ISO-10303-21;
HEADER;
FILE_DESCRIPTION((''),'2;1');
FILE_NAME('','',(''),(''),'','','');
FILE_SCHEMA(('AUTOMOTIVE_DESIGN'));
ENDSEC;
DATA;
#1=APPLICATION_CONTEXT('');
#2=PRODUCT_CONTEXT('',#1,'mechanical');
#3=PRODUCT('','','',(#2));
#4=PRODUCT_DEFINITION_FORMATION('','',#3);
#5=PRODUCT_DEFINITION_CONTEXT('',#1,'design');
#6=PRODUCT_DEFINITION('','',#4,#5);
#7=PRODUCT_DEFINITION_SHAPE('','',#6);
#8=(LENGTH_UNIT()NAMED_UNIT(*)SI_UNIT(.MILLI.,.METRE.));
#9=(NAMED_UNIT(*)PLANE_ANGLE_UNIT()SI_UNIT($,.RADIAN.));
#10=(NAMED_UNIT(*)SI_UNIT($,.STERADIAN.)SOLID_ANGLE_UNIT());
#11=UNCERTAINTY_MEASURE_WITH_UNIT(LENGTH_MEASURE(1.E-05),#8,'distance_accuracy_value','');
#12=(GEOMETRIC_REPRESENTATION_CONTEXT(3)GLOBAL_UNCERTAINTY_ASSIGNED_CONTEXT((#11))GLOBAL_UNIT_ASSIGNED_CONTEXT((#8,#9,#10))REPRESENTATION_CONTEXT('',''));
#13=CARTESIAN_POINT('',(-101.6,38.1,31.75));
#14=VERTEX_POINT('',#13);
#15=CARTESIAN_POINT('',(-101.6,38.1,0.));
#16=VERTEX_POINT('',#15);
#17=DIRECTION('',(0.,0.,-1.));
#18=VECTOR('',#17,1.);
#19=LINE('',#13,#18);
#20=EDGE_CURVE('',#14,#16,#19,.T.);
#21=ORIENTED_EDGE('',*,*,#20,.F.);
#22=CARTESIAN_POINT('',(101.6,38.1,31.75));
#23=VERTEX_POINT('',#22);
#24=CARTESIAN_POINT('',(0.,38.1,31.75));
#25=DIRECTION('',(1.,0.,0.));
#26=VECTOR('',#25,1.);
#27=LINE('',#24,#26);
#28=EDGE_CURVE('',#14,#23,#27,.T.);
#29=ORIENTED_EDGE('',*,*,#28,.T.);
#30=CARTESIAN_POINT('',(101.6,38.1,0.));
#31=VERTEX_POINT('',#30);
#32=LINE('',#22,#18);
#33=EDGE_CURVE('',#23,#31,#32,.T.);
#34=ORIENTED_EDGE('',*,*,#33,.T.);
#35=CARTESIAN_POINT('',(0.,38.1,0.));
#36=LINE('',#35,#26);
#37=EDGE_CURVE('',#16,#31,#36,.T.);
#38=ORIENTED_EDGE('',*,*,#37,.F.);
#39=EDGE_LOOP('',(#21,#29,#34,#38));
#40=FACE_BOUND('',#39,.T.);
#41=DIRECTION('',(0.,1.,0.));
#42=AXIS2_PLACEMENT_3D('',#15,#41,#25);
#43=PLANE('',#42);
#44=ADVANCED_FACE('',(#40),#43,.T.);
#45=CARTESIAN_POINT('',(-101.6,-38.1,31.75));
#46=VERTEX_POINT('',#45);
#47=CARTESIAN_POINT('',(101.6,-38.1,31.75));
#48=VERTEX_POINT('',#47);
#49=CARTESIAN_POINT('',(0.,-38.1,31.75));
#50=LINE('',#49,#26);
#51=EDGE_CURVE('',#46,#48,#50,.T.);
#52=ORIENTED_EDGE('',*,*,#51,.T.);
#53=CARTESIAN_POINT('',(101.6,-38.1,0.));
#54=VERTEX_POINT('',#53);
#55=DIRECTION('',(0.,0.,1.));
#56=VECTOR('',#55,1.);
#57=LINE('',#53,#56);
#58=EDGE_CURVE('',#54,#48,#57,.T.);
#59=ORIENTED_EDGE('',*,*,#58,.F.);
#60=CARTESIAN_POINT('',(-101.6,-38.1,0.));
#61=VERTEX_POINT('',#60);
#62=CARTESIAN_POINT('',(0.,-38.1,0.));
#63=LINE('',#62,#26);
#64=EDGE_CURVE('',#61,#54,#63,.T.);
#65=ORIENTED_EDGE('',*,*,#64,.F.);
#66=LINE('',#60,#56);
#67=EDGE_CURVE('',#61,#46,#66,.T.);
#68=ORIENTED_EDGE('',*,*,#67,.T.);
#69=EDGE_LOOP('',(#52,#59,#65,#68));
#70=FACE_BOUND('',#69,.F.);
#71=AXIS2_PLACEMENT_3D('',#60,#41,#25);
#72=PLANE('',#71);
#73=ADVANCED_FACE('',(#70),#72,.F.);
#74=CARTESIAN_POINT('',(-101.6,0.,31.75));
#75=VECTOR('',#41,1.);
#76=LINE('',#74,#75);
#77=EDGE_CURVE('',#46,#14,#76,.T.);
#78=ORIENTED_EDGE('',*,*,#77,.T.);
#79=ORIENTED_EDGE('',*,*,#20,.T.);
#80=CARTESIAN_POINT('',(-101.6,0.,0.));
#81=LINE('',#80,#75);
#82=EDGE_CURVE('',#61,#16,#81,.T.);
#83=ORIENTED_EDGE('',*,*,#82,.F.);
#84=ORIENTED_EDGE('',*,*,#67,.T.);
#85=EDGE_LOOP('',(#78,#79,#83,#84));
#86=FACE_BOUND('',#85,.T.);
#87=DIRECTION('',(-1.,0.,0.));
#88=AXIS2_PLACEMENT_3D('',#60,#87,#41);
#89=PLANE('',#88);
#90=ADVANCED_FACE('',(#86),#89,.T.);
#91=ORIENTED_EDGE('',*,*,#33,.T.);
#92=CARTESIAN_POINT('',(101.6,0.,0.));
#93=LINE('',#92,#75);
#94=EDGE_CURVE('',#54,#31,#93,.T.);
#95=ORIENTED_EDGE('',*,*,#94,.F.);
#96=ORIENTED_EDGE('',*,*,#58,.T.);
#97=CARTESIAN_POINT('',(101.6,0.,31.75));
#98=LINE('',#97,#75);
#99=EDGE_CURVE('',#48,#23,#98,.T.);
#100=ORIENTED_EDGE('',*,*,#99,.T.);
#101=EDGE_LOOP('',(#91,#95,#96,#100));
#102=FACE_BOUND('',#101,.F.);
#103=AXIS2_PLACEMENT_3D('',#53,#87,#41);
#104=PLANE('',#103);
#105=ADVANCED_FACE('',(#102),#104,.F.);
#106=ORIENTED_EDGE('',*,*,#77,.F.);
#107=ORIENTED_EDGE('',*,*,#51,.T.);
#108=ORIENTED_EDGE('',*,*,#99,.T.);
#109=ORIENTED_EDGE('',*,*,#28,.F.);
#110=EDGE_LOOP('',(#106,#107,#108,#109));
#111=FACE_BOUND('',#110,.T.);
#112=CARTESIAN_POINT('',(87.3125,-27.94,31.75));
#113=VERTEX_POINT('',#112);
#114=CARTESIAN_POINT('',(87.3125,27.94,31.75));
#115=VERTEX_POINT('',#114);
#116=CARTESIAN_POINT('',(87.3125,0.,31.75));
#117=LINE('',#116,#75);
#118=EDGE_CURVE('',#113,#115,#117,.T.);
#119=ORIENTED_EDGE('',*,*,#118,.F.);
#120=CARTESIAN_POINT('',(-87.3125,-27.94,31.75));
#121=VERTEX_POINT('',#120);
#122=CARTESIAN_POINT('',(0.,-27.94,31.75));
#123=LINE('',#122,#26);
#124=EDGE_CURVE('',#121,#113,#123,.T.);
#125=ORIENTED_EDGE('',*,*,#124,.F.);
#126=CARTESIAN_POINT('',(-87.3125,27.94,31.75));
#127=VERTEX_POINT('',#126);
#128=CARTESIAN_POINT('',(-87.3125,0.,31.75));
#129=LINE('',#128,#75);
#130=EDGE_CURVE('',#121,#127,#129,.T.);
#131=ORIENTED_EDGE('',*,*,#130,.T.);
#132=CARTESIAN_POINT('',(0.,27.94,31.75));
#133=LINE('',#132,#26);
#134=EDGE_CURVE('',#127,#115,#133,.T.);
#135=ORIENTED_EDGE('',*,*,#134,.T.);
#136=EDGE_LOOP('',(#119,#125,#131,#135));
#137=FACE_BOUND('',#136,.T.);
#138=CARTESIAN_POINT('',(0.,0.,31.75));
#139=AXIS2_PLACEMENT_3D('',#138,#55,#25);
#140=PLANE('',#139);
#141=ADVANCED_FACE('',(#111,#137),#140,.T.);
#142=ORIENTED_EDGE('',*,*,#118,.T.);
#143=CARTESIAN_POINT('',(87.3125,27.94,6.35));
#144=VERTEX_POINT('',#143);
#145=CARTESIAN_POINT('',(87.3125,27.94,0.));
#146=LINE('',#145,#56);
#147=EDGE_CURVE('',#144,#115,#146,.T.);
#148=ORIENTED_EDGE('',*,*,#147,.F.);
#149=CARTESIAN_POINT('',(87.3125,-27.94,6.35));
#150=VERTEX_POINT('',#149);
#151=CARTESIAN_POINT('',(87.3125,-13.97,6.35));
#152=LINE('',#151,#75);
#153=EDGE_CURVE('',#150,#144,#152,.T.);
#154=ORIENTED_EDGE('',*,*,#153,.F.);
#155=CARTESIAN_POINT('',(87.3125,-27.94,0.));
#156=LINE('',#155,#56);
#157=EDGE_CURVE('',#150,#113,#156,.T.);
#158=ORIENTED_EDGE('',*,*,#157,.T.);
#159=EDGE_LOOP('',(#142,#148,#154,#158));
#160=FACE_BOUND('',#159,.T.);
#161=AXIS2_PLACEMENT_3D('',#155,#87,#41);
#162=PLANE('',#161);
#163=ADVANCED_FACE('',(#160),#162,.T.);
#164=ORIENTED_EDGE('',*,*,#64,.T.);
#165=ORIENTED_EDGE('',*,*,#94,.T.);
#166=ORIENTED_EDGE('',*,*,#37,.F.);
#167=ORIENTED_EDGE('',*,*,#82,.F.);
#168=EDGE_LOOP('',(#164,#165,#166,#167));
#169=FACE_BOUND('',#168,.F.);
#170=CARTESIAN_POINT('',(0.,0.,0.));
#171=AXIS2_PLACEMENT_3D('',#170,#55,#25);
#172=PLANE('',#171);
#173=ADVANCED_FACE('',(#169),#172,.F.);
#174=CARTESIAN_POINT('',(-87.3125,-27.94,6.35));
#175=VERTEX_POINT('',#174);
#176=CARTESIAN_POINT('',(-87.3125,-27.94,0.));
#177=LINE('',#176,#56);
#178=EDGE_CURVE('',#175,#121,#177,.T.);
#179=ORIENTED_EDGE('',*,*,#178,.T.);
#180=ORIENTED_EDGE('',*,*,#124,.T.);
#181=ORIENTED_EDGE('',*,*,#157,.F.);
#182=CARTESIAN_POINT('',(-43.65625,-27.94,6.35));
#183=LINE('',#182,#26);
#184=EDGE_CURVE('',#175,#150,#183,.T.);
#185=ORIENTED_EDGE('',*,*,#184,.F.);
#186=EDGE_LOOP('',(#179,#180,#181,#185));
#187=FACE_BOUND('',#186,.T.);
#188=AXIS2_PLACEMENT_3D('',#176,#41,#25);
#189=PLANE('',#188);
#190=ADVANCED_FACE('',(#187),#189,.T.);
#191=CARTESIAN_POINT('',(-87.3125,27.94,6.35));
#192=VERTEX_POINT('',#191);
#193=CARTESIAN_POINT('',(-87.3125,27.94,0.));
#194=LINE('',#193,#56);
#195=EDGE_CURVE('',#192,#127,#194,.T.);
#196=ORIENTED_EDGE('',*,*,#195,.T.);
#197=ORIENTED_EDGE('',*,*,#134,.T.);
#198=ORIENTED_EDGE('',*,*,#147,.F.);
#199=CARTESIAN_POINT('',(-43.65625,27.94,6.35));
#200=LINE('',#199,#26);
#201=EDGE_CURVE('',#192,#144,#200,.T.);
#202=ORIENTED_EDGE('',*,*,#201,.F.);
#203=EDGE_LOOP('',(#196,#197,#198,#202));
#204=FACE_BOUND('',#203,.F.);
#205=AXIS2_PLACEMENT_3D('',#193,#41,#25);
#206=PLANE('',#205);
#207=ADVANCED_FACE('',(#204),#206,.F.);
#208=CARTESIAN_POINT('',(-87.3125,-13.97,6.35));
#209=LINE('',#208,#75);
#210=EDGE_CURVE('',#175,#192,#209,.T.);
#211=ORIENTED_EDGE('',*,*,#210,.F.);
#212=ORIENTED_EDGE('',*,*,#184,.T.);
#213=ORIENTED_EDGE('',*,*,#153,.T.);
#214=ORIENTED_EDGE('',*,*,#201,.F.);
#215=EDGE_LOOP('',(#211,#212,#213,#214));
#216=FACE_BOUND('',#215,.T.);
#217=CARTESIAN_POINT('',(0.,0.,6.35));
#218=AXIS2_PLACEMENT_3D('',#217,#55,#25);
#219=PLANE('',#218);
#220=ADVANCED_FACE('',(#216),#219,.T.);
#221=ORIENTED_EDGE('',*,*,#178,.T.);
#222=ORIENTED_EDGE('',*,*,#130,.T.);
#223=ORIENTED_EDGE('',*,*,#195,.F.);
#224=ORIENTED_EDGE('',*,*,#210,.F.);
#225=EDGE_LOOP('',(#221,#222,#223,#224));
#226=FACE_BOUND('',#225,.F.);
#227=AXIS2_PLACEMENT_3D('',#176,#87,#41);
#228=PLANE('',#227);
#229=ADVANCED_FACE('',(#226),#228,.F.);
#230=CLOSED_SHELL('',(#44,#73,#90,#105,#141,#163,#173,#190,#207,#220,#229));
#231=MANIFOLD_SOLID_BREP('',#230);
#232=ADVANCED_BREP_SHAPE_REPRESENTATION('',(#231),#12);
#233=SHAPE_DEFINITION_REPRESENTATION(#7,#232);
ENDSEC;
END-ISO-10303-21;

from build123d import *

# Parameters (mm, degrees)
F1_W     = 203.2
F1_H     = 76.2
F1_W_2   = 174.625
F1_H_2   = 55.88
F2_DEPTH = 31.75
F0_W     = 203.2
F0_H     = 76.2
F3_DEPTH = 6.35


with BuildPart() as f2:
    # F1 (on face) → F2 (new body)
    with BuildSketch(Plane.XY):
        Rectangle(F1_W, F1_H)
        Rectangle(F1_W_2, F1_H_2, mode=Mode.SUBTRACT)
    extrude(amount=F2_DEPTH)

    # F0 (on Top) → F3 (join)
    with BuildSketch(Plane.XY):
        Rectangle(F0_W, F0_H)
    extrude(amount=F3_DEPTH)


solid = f2.part
